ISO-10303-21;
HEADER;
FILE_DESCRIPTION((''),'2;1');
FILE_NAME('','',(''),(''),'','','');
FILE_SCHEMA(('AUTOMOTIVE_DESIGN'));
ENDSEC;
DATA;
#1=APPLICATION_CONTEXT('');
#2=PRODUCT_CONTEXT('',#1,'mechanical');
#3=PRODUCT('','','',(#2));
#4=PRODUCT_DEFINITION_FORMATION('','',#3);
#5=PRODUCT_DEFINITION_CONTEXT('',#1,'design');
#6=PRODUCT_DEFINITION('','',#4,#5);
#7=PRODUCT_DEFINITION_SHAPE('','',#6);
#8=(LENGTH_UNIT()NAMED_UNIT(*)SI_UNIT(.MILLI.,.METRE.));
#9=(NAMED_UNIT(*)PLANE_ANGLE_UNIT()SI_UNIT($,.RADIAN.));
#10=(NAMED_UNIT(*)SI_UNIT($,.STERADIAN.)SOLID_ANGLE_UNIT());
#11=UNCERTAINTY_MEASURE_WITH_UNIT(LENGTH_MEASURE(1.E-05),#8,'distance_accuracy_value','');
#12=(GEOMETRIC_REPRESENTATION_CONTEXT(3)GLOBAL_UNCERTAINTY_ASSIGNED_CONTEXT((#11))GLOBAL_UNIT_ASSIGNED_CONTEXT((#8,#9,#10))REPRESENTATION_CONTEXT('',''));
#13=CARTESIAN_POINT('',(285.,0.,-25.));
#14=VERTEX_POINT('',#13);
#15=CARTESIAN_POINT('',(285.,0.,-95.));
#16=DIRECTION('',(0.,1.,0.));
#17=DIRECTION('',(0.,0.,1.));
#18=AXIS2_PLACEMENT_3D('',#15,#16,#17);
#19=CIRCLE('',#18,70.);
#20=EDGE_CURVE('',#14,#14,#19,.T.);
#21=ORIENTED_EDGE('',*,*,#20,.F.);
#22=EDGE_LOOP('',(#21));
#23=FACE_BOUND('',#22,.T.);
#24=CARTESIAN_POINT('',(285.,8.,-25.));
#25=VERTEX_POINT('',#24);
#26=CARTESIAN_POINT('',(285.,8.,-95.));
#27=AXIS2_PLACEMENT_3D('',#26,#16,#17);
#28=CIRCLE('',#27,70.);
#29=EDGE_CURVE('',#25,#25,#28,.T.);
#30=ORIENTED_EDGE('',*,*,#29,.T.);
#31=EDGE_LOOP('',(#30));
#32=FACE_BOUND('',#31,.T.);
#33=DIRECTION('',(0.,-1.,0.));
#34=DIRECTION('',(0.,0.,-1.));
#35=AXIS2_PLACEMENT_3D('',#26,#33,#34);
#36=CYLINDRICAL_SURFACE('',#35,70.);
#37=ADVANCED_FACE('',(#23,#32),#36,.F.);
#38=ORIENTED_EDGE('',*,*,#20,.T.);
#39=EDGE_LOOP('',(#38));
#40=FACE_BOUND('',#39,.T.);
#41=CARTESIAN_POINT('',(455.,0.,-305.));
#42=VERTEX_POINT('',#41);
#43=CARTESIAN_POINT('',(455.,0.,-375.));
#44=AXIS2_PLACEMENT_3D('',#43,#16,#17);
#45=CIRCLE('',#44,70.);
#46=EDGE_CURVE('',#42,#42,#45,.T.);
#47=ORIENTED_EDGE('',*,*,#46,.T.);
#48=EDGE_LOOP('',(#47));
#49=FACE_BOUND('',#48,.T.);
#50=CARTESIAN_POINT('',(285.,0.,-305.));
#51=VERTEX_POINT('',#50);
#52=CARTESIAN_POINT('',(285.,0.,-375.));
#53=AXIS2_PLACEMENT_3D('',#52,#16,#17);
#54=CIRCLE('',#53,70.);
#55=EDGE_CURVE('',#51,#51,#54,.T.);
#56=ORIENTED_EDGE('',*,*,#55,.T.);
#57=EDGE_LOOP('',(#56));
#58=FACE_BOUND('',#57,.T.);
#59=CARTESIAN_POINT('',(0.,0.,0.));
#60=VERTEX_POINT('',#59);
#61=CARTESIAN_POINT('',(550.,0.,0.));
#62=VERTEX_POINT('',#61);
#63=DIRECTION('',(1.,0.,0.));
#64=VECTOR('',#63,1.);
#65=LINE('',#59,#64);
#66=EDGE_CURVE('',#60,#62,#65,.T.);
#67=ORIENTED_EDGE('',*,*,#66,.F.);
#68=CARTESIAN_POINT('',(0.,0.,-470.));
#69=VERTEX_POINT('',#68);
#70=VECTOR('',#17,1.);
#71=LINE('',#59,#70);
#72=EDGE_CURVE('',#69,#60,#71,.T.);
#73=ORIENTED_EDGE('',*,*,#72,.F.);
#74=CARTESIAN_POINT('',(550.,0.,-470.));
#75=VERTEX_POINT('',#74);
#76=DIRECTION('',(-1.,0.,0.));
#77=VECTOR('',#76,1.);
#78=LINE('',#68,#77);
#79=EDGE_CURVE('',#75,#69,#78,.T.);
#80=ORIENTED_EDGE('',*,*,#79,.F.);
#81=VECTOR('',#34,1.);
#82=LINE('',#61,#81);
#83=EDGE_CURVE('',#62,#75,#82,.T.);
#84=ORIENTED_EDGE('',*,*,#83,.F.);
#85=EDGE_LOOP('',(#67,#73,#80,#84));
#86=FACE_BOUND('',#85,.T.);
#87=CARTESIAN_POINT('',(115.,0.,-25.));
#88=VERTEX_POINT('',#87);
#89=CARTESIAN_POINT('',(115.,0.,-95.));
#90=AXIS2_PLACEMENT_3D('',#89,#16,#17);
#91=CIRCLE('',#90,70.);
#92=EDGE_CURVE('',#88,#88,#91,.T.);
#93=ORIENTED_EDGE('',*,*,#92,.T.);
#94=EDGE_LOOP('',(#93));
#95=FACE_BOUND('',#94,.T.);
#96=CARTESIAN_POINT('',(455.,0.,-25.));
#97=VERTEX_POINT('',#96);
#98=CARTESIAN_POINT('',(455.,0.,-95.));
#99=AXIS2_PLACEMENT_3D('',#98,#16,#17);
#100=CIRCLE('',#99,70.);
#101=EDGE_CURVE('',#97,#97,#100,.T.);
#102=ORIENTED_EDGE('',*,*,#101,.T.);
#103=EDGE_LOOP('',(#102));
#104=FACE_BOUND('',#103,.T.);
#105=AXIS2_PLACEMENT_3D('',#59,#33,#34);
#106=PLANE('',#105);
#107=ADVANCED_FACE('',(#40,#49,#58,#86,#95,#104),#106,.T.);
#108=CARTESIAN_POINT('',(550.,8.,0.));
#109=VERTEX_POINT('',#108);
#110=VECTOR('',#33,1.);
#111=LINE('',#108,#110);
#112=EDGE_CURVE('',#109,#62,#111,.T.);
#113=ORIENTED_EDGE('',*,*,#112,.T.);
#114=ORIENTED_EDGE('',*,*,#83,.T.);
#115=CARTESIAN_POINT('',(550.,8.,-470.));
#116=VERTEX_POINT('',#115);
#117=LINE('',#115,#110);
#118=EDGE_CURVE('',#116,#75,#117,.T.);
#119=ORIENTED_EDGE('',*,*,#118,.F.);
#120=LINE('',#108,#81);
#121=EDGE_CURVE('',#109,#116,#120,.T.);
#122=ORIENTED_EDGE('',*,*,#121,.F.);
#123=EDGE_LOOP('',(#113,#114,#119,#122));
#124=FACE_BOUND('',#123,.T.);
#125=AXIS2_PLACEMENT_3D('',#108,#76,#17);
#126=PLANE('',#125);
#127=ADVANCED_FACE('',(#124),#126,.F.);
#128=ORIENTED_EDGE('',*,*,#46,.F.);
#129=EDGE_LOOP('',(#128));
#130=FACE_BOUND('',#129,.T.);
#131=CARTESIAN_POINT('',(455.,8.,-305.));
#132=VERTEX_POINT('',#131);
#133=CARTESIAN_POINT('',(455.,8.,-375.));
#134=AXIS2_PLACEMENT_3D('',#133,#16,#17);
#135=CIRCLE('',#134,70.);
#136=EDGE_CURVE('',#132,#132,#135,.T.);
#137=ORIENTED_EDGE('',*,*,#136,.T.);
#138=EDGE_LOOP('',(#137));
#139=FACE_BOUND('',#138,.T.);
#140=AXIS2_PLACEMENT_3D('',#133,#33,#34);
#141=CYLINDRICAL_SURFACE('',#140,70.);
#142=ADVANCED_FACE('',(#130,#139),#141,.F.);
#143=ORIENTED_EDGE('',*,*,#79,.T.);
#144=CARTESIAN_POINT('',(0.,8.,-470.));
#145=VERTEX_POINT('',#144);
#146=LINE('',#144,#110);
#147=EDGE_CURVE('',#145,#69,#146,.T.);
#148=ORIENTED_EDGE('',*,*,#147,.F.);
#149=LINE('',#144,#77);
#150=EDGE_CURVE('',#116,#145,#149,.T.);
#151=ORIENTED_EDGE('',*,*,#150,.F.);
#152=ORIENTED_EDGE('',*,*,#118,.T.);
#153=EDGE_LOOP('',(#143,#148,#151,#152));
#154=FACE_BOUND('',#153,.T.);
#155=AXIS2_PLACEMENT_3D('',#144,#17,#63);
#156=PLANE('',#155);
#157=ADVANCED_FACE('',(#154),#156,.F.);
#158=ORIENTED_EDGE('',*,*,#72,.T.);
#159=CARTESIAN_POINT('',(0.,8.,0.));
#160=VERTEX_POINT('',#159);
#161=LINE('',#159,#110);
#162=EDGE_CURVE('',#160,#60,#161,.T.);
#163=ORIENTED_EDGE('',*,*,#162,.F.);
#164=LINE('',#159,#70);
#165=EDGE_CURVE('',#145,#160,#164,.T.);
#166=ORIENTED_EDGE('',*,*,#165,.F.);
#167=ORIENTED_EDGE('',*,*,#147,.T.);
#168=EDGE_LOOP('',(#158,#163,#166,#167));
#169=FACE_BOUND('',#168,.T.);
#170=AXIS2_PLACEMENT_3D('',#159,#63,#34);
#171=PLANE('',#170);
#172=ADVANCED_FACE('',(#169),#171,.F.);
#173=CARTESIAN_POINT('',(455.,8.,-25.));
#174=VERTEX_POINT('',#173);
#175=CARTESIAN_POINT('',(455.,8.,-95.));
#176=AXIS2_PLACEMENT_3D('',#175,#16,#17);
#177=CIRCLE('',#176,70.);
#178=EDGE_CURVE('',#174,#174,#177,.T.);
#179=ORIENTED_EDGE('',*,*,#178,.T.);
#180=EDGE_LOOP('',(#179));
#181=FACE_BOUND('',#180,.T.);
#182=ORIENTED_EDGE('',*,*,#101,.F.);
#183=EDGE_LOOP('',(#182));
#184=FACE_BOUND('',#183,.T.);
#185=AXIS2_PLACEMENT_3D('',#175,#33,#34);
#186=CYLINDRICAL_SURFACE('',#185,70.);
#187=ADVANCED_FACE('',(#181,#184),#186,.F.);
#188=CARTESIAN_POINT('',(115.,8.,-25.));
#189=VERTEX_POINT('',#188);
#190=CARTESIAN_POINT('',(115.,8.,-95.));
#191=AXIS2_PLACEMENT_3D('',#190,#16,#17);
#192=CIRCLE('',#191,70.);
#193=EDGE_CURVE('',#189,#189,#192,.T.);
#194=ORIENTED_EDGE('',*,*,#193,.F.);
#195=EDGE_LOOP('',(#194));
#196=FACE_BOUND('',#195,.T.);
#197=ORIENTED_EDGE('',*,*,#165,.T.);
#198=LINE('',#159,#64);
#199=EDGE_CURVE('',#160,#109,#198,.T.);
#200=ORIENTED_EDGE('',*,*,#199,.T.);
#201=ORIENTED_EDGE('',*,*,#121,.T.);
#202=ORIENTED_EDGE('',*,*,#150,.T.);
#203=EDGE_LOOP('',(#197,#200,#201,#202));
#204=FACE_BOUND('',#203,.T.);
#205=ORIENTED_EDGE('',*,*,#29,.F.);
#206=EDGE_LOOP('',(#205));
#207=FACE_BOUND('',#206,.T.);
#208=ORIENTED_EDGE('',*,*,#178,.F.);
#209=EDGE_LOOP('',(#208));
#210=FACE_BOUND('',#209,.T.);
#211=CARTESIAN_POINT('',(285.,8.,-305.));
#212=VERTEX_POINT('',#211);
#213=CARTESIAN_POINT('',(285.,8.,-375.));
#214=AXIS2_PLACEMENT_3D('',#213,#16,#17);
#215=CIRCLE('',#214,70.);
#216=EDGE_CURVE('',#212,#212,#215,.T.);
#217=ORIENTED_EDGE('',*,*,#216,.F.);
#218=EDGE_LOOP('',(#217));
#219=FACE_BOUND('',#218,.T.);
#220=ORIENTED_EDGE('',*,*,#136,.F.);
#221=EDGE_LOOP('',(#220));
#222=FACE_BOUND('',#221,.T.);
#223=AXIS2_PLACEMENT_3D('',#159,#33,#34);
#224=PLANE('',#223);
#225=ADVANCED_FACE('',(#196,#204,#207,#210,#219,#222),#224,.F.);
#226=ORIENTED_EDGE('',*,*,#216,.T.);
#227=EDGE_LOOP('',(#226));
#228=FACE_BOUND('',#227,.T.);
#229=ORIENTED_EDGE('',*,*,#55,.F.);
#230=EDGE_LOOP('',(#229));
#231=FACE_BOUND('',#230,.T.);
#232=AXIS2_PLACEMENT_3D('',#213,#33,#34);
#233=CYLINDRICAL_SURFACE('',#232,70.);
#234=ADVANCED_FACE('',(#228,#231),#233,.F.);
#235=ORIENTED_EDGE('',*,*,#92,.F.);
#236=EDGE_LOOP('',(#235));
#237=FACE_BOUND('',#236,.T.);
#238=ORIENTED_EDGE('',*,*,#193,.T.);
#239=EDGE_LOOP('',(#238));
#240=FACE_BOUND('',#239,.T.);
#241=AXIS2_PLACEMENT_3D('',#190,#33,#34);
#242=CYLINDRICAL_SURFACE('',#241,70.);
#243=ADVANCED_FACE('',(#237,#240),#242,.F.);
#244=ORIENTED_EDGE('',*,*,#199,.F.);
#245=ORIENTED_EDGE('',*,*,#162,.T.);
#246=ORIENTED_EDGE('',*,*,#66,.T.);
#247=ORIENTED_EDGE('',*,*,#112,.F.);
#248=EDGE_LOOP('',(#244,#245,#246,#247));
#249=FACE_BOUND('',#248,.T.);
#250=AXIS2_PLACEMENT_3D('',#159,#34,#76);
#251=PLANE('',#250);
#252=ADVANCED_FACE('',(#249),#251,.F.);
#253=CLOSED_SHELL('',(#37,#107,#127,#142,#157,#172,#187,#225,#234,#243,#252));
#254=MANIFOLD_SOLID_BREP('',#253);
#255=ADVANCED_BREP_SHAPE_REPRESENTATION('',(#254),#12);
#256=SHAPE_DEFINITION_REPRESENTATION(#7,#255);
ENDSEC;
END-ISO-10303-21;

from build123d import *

# Parameters (mm, degrees)
SKETCH1_W           = 550
SKETCH1_H           = 470
BOSS_EXTRUDE1_DEPTH = 8
SKETCH2_R           = 70
CUT_EXTRUDE5_DEPTH  = 8


with BuildPart() as part:
    # Sketch1 → Boss-Extrude1 (new body)
    with BuildSketch(Plane(origin=(0, 0, 0), x_dir=(1, 0, 0), z_dir=(0, 1, 0))):
        with Locations((275, 235)):
            Rectangle(SKETCH1_W, SKETCH1_H)
    extrude(amount=BOSS_EXTRUDE1_DEPTH)

    # Sketch2 → Cut-Extrude5 (cut)
    with BuildSketch(Plane(origin=(0, 0, 0), x_dir=(1, 0, 0), z_dir=(0, 1, 0))):
        with Locations(Location((455, 95, 0), (0, 0, 270))):
            Circle(SKETCH2_R)
        with Locations(Location((285, 95, 0), (0, 0, 270))):
            Circle(SKETCH2_R)
        with Locations(Location((115, 95, 0), (0, 0, 270))):
            Circle(SKETCH2_R)
        with Locations(Location((455, 375, 0), (0, 0, 270))):
            Circle(SKETCH2_R)
        with Locations(Location((285, 375, 0), (0, 0, 270))):
            Circle(SKETCH2_R)
    extrude(amount=CUT_EXTRUDE5_DEPTH, mode=Mode.SUBTRACT)


solid = part.part
